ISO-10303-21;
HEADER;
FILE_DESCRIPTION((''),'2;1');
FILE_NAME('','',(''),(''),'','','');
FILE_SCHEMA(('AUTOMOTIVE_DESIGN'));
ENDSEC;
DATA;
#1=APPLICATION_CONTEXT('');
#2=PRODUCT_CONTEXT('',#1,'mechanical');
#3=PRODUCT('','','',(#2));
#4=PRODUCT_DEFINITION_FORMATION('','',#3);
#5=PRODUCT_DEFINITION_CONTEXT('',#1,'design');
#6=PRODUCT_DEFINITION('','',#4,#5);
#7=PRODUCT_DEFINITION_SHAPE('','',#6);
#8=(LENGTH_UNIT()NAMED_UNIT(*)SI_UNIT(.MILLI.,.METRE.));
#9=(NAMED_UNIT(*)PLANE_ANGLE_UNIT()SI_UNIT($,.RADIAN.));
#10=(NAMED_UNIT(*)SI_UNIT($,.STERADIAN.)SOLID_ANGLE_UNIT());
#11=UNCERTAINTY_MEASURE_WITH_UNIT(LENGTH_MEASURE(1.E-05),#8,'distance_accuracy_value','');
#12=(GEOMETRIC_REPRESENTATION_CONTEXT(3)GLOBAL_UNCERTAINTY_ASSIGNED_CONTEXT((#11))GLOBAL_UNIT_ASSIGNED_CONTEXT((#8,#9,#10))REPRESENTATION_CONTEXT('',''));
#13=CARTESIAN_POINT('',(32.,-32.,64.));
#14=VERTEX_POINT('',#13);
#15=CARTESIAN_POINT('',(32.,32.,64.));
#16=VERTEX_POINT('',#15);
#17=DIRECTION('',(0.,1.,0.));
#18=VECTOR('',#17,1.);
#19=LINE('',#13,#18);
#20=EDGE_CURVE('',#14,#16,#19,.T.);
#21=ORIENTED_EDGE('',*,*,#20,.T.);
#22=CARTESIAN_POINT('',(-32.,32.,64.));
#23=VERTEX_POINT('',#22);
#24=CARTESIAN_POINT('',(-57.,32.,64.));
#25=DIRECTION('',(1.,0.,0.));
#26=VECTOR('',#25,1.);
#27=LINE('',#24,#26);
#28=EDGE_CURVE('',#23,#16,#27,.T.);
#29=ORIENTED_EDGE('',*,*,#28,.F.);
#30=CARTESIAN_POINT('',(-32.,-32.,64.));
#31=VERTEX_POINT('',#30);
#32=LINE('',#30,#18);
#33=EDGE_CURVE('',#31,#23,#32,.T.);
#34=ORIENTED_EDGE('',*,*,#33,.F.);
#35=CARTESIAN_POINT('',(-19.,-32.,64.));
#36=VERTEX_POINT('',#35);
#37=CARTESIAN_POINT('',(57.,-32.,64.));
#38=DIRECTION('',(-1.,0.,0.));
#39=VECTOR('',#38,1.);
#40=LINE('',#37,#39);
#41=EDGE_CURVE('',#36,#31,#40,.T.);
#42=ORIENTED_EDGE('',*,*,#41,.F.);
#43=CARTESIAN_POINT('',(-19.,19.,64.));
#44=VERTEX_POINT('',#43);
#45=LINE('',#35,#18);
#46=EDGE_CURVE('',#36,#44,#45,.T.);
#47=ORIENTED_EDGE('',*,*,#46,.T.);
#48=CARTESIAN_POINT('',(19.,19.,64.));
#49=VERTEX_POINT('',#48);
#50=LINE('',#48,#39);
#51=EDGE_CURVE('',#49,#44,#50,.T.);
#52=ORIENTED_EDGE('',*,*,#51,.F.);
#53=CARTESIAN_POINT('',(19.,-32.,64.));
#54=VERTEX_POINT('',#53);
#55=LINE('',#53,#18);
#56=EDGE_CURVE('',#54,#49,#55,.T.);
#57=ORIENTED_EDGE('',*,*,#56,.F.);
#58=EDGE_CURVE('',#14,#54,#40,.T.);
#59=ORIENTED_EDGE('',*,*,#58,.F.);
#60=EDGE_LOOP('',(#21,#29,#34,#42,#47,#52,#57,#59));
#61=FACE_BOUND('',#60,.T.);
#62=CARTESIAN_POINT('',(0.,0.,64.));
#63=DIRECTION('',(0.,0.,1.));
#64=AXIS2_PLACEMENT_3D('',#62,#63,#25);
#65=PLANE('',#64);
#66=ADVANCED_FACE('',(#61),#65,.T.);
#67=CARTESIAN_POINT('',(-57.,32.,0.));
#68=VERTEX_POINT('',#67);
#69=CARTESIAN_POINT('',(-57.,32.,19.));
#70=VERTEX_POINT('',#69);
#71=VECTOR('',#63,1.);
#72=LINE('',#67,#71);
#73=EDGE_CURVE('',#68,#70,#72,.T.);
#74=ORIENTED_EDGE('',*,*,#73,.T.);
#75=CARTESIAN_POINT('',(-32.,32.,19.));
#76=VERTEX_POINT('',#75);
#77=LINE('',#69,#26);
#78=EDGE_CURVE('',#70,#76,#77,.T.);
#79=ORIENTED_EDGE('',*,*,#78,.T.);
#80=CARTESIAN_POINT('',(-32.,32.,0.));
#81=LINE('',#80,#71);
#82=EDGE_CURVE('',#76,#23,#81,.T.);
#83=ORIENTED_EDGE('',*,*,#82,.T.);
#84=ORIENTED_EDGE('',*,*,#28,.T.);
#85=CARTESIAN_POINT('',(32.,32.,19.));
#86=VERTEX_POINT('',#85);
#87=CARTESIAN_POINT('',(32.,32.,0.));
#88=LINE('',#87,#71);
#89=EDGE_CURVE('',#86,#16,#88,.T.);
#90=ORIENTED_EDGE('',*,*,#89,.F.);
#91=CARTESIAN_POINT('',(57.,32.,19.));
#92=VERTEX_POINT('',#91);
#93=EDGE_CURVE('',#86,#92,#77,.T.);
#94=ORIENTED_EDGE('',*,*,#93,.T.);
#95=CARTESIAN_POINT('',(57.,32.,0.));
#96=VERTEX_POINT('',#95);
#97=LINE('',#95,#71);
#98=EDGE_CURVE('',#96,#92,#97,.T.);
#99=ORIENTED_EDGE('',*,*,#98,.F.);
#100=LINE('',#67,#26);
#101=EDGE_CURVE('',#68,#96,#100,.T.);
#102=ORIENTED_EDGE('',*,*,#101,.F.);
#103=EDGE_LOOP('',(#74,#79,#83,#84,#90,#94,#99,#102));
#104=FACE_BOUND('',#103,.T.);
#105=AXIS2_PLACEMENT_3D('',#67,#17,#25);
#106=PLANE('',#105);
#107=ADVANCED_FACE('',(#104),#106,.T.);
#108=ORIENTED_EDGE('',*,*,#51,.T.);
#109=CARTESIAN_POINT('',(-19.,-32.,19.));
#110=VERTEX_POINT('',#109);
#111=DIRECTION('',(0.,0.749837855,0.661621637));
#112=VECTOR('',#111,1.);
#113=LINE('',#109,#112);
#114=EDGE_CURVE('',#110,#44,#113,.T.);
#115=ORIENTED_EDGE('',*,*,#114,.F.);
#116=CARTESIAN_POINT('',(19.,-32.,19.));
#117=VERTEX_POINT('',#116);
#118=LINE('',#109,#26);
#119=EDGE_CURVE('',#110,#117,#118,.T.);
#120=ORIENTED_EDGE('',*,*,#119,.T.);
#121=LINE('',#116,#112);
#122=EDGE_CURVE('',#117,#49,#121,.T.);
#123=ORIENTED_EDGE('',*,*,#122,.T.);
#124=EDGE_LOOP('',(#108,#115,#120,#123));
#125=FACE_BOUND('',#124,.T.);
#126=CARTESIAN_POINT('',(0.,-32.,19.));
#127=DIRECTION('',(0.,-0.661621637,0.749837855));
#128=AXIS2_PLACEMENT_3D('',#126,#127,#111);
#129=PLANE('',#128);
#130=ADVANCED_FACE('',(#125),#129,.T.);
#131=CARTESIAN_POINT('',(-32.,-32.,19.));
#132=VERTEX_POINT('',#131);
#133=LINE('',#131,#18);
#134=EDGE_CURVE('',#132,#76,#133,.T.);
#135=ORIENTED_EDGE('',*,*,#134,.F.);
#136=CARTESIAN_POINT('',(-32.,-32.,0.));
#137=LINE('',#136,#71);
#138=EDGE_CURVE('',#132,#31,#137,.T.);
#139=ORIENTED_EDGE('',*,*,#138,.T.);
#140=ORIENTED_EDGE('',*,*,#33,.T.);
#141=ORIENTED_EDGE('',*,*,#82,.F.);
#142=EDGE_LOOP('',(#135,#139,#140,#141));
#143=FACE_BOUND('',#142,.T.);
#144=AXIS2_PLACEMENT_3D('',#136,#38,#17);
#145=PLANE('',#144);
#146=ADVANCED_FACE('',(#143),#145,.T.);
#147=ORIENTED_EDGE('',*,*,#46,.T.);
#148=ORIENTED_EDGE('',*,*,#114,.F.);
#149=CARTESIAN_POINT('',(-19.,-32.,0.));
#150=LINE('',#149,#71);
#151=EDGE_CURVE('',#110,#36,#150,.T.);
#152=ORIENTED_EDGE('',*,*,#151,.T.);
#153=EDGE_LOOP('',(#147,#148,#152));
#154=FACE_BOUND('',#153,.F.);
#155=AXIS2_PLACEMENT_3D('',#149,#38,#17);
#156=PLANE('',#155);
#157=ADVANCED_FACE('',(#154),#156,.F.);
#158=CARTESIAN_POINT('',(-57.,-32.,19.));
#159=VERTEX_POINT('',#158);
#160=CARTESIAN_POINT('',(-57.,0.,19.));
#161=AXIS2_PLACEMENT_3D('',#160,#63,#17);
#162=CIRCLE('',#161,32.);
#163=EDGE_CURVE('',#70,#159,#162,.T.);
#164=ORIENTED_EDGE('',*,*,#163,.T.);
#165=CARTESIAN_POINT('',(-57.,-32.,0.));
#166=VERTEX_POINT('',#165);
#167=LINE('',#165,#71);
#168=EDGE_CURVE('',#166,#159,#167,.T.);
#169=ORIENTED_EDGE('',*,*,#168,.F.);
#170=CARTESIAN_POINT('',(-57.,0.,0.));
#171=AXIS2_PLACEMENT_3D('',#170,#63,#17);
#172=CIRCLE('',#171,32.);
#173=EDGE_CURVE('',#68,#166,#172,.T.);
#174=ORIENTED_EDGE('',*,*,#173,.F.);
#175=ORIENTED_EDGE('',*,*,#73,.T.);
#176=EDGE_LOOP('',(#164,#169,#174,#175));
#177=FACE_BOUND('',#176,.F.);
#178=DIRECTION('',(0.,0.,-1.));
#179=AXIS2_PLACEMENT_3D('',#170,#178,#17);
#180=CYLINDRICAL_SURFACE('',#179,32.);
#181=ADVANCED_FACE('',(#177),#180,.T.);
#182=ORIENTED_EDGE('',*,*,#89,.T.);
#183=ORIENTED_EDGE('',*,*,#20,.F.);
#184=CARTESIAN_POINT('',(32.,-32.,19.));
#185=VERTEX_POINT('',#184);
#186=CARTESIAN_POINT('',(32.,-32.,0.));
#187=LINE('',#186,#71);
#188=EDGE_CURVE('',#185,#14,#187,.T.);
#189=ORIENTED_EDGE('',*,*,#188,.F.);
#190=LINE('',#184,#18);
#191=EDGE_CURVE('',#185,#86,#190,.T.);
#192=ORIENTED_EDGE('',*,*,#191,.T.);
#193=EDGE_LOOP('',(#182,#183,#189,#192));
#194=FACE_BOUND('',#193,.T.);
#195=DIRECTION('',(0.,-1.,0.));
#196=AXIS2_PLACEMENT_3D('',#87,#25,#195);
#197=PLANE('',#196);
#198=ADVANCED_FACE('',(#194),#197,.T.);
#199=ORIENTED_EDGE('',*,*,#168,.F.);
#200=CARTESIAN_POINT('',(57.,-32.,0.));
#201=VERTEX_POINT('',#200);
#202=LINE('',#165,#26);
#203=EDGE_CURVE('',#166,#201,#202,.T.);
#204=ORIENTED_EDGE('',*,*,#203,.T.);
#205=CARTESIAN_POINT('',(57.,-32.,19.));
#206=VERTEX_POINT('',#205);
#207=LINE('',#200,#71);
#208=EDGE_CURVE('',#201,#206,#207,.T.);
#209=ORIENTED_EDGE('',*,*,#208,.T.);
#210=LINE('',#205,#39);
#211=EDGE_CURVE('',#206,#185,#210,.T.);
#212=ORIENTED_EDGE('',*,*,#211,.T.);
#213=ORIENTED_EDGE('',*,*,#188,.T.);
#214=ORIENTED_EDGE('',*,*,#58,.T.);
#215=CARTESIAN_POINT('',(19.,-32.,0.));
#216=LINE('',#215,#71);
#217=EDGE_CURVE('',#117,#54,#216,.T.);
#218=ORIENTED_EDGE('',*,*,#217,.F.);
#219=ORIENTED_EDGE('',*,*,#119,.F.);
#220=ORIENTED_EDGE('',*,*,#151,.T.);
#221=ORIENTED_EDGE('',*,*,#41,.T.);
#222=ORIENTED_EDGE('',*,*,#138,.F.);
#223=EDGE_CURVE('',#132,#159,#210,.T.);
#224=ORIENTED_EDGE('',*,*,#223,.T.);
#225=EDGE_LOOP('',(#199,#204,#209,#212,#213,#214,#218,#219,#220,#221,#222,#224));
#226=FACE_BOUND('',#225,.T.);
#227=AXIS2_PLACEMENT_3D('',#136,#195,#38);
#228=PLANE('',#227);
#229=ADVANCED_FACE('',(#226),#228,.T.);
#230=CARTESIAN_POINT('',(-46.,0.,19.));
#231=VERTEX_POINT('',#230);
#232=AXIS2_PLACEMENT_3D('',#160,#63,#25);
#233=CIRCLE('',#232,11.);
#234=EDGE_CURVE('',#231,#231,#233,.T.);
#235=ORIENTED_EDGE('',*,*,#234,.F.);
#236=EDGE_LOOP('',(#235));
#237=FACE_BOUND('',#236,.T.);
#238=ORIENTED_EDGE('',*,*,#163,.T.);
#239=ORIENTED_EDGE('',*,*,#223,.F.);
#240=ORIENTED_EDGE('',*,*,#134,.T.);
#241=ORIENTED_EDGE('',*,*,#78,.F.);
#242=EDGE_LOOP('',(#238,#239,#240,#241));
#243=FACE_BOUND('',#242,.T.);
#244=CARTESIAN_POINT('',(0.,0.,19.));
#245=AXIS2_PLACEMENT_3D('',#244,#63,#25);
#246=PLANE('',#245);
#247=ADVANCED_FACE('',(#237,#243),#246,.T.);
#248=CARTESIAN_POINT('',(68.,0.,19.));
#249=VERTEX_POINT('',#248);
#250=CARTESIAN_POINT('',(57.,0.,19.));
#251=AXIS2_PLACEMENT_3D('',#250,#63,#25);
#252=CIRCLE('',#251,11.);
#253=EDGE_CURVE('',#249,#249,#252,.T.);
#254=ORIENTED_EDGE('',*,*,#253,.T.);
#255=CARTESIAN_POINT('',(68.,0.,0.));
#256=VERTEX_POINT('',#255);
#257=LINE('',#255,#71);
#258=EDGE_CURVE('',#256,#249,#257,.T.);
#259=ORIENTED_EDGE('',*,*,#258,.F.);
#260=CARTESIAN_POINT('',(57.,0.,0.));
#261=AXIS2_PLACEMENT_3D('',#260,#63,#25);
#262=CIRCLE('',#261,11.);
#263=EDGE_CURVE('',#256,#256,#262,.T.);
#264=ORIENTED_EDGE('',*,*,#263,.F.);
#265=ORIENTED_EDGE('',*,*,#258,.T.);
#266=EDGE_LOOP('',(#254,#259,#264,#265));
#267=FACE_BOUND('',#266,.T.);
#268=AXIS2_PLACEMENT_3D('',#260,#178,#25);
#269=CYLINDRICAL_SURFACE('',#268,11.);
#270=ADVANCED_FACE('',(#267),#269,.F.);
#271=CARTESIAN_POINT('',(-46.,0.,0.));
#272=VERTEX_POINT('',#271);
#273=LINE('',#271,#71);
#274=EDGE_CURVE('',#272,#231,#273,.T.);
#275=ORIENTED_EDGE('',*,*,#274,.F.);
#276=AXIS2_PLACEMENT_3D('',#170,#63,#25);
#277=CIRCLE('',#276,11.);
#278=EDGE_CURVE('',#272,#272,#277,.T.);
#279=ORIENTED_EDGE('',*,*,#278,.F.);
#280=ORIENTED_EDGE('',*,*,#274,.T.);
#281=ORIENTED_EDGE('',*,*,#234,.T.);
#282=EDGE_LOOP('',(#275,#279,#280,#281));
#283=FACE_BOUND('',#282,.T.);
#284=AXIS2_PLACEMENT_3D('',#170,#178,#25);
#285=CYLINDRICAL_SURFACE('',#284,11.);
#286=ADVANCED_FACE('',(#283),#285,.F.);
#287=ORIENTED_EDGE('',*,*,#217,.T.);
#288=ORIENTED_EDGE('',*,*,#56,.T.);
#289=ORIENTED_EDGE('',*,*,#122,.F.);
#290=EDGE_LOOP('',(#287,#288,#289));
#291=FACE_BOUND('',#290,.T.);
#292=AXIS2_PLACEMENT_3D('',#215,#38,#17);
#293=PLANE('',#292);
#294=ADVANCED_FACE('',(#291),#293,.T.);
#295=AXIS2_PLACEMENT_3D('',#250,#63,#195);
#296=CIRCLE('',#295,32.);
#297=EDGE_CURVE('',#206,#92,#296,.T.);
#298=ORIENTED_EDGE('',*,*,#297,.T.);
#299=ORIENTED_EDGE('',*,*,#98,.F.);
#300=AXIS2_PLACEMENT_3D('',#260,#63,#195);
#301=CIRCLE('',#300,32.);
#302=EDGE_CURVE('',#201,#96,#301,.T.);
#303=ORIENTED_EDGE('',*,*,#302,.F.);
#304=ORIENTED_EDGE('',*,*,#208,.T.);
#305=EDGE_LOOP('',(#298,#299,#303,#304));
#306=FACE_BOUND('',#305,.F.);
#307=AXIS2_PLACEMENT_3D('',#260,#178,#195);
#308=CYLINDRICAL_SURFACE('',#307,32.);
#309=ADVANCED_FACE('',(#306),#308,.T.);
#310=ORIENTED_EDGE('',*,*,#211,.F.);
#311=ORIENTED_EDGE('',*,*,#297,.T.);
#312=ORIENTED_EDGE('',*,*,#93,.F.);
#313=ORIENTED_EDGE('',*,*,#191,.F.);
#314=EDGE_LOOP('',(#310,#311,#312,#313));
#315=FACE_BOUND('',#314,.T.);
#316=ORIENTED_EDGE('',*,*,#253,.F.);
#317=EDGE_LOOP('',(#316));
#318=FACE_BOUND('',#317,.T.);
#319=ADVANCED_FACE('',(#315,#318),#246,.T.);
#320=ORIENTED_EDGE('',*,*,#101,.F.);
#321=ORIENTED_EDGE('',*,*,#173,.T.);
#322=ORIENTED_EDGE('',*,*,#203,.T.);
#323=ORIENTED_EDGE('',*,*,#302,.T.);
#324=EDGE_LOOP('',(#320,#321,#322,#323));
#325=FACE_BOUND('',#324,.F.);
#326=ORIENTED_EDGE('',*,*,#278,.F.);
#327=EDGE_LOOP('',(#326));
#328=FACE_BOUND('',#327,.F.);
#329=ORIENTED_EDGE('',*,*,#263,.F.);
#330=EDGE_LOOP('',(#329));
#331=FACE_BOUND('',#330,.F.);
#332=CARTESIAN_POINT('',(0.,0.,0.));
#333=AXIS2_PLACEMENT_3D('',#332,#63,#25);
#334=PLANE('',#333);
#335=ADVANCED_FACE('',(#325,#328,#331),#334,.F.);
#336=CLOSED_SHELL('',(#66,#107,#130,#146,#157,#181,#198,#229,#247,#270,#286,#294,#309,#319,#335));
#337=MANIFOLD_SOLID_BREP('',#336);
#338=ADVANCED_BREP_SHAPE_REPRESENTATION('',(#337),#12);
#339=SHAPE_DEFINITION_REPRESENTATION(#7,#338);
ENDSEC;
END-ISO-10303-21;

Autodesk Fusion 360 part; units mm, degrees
sketch "Sketch1" plane through (0, 0, 0) normal (0, 0, 1) x (1, 0, 0)
  line L0 (57, -32) -> (-57, -32)
  line L1 (-57, 32) -> (57, 32)
  circle A0 centre (-57, 0) radius 11
  circle A1 centre (57, 0) radius 11
  line L2 (-32, -32) -> (-32, 32)
  line L3 (32, 32) -> (32, -32)
  line L4 (-19, -32) -> (-19, 19)
  line L5 (19, -32) -> (19, 19)
  line L6 (-19, 19) -> (19, 19)
  arc A2 (-29.6806, 16.6628) -> (-32, 19.975) centre (-57, 0) ccw
  line L7 (32, -17.9649) -> (29.6806, -16.6628) construction
  line L8 (-29.6806, 16.6628) -> (-32, 17.9649) construction
  line L9 (-32, -17.9649) -> (-29.6806, -16.6628) construction
  line L10 (29.6806, 16.6628) -> (32, 17.9649) construction
  arc A3 (-57, 32) -> (-57, -32) centre (-57, 0) ccw
  arc A4 (-32, -19.975) -> (-29.6806, -16.6628) centre (-57, 0) ccw
  arc A5 (57, -32) -> (57, 32) centre (57, 0) ccw
  arc A6 (32, 19.975) -> (29.6806, 16.6628) centre (57, 0) ccw
  arc A7 (29.6806, -16.6628) -> (32, -19.975) centre (57, 0) ccw
  dimension "d1" = 114
  dimension "d2" = 64
  dimension "d3" = 64
  dimension "d4" = 22
  dimension "d5" = 64
  dimension "d6" = 22
  dimension "d7" = 64
  dimension "d9" = 13
  dimension "d10" = 13
  dimension "d11" = 13
sketch "Sketch2" plane through (0, 0, 0) normal (1, 0, 0) x (0, 1, 0)
  line L0 (-32, 0) -> (32, 0)
  line L1 (32, 0) -> (32, 64)
  line L2 (32, 64) -> (-32, 64)
  line L3 (-32, 64) -> (-32, 0)
  line L4 (32, 64) -> (19, 64)
  line L5 (-32, 0) -> (-32, 19)
  line L6 (-32, 19) -> (19, 64)
  line L7 (19, 64) -> (19, 19)
  line L8 (19, 19) -> (-32, 19)
  dimension "d12" = 64
  dimension "d13" = 64
  dimension "d14" = 13
  dimension "d15" = 19
extrude "Extrude1" add sketch "Sketch2" along normal mid plane 38 contours L6 L7 L8 makes body 1
extrude "Extrude2" add sketch "Sketch1" along normal blind 19 contours L0 L1 L3 A5 | L0 L4 L5 L6 | L0 L1 L2 A3 bodies 1 makes body 2 at (-46.8333, 24.5088, 0) makes body 3 at (46.8333, 24.5088, 0)
extrude "Extrude3" add sketch "Sketch1" along normal blind 64 contours L0 L1 L2 L3 L4 L5 L6 bodies 1 2 3
